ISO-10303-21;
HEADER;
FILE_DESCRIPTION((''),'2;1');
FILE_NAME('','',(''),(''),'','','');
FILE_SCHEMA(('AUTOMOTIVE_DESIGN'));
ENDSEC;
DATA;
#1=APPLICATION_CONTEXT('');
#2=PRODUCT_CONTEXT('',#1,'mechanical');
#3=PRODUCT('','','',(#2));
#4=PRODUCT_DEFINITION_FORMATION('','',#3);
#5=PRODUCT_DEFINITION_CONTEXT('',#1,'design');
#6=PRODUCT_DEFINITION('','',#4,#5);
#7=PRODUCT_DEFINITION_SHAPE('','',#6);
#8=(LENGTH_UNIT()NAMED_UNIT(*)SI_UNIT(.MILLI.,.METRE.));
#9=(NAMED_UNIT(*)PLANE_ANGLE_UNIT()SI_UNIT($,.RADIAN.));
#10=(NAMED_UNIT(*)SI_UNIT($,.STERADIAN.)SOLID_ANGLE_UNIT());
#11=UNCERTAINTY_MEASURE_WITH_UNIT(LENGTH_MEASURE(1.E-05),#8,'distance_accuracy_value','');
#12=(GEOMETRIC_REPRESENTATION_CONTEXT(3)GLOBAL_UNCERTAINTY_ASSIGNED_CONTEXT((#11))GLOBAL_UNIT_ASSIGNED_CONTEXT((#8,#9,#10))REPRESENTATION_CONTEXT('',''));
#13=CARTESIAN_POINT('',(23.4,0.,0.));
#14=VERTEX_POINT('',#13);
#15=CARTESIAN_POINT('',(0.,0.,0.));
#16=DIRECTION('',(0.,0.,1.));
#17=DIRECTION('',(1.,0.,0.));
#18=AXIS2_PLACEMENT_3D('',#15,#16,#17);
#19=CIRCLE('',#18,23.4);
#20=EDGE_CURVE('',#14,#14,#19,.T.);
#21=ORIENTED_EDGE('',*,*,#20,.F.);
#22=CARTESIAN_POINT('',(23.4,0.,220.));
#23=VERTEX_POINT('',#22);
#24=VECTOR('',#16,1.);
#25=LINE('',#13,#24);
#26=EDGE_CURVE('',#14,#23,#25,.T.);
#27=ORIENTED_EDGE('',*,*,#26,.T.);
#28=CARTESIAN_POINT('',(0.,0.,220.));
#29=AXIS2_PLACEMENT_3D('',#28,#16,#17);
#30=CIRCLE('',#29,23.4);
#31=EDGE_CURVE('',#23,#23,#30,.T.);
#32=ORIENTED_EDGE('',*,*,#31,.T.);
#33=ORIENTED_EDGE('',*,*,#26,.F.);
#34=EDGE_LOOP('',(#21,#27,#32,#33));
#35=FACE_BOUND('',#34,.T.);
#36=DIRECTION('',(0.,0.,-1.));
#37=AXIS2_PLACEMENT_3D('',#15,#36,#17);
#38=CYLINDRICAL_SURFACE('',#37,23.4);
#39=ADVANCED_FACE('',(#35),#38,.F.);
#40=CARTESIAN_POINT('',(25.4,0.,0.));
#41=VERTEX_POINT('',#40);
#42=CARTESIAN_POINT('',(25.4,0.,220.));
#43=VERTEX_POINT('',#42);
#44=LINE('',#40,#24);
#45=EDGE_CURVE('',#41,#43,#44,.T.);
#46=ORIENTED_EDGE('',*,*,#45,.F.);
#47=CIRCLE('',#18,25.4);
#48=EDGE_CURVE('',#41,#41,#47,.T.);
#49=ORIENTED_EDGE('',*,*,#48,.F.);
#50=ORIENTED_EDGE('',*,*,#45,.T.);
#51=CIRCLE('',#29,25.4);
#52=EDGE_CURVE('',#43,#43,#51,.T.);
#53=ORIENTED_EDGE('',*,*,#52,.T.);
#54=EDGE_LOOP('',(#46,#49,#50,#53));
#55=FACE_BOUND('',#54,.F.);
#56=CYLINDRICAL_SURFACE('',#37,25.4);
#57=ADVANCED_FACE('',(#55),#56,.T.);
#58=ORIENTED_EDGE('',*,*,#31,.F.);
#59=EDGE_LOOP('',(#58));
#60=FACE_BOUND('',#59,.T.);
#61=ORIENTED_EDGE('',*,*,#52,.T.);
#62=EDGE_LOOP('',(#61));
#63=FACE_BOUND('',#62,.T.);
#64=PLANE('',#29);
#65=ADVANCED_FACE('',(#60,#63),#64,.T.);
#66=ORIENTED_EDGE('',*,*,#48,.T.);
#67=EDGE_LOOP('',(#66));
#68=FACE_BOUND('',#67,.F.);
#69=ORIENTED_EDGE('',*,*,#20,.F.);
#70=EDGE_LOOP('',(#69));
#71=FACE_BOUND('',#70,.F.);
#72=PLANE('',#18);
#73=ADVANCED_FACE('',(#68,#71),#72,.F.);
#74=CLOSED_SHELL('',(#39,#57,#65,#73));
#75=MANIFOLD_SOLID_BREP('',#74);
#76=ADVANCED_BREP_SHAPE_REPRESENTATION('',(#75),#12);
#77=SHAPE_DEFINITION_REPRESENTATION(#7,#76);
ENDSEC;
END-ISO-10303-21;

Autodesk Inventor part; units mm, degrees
ref_plane "YZ Plane" through (0, 0, 0) normal (1, 0, 0) x (0, 1, 0)
ref_plane "XZ Plane" through (0, 0, 0) normal (0, 1, 0) x (-1, 0, 0)
ref_plane "XY Plane" through (0, 0, 0) normal (0, 0, 1) x (1, 0, 0)
sketch "Sketch1" plane through (0, 0, 0) normal (0, 0, 1) x (1, 0, 0)
  circle A0 centre (0, 0) radius 25.4
  circle A1 centre (0, 0) radius 23.4
  dimension "d0" = 50.8
  dimension "d1" = 2
extrude "Extrusion1" add sketch "Sketch1" along normal blind 220
properties part number "2inpvc_pipe"
